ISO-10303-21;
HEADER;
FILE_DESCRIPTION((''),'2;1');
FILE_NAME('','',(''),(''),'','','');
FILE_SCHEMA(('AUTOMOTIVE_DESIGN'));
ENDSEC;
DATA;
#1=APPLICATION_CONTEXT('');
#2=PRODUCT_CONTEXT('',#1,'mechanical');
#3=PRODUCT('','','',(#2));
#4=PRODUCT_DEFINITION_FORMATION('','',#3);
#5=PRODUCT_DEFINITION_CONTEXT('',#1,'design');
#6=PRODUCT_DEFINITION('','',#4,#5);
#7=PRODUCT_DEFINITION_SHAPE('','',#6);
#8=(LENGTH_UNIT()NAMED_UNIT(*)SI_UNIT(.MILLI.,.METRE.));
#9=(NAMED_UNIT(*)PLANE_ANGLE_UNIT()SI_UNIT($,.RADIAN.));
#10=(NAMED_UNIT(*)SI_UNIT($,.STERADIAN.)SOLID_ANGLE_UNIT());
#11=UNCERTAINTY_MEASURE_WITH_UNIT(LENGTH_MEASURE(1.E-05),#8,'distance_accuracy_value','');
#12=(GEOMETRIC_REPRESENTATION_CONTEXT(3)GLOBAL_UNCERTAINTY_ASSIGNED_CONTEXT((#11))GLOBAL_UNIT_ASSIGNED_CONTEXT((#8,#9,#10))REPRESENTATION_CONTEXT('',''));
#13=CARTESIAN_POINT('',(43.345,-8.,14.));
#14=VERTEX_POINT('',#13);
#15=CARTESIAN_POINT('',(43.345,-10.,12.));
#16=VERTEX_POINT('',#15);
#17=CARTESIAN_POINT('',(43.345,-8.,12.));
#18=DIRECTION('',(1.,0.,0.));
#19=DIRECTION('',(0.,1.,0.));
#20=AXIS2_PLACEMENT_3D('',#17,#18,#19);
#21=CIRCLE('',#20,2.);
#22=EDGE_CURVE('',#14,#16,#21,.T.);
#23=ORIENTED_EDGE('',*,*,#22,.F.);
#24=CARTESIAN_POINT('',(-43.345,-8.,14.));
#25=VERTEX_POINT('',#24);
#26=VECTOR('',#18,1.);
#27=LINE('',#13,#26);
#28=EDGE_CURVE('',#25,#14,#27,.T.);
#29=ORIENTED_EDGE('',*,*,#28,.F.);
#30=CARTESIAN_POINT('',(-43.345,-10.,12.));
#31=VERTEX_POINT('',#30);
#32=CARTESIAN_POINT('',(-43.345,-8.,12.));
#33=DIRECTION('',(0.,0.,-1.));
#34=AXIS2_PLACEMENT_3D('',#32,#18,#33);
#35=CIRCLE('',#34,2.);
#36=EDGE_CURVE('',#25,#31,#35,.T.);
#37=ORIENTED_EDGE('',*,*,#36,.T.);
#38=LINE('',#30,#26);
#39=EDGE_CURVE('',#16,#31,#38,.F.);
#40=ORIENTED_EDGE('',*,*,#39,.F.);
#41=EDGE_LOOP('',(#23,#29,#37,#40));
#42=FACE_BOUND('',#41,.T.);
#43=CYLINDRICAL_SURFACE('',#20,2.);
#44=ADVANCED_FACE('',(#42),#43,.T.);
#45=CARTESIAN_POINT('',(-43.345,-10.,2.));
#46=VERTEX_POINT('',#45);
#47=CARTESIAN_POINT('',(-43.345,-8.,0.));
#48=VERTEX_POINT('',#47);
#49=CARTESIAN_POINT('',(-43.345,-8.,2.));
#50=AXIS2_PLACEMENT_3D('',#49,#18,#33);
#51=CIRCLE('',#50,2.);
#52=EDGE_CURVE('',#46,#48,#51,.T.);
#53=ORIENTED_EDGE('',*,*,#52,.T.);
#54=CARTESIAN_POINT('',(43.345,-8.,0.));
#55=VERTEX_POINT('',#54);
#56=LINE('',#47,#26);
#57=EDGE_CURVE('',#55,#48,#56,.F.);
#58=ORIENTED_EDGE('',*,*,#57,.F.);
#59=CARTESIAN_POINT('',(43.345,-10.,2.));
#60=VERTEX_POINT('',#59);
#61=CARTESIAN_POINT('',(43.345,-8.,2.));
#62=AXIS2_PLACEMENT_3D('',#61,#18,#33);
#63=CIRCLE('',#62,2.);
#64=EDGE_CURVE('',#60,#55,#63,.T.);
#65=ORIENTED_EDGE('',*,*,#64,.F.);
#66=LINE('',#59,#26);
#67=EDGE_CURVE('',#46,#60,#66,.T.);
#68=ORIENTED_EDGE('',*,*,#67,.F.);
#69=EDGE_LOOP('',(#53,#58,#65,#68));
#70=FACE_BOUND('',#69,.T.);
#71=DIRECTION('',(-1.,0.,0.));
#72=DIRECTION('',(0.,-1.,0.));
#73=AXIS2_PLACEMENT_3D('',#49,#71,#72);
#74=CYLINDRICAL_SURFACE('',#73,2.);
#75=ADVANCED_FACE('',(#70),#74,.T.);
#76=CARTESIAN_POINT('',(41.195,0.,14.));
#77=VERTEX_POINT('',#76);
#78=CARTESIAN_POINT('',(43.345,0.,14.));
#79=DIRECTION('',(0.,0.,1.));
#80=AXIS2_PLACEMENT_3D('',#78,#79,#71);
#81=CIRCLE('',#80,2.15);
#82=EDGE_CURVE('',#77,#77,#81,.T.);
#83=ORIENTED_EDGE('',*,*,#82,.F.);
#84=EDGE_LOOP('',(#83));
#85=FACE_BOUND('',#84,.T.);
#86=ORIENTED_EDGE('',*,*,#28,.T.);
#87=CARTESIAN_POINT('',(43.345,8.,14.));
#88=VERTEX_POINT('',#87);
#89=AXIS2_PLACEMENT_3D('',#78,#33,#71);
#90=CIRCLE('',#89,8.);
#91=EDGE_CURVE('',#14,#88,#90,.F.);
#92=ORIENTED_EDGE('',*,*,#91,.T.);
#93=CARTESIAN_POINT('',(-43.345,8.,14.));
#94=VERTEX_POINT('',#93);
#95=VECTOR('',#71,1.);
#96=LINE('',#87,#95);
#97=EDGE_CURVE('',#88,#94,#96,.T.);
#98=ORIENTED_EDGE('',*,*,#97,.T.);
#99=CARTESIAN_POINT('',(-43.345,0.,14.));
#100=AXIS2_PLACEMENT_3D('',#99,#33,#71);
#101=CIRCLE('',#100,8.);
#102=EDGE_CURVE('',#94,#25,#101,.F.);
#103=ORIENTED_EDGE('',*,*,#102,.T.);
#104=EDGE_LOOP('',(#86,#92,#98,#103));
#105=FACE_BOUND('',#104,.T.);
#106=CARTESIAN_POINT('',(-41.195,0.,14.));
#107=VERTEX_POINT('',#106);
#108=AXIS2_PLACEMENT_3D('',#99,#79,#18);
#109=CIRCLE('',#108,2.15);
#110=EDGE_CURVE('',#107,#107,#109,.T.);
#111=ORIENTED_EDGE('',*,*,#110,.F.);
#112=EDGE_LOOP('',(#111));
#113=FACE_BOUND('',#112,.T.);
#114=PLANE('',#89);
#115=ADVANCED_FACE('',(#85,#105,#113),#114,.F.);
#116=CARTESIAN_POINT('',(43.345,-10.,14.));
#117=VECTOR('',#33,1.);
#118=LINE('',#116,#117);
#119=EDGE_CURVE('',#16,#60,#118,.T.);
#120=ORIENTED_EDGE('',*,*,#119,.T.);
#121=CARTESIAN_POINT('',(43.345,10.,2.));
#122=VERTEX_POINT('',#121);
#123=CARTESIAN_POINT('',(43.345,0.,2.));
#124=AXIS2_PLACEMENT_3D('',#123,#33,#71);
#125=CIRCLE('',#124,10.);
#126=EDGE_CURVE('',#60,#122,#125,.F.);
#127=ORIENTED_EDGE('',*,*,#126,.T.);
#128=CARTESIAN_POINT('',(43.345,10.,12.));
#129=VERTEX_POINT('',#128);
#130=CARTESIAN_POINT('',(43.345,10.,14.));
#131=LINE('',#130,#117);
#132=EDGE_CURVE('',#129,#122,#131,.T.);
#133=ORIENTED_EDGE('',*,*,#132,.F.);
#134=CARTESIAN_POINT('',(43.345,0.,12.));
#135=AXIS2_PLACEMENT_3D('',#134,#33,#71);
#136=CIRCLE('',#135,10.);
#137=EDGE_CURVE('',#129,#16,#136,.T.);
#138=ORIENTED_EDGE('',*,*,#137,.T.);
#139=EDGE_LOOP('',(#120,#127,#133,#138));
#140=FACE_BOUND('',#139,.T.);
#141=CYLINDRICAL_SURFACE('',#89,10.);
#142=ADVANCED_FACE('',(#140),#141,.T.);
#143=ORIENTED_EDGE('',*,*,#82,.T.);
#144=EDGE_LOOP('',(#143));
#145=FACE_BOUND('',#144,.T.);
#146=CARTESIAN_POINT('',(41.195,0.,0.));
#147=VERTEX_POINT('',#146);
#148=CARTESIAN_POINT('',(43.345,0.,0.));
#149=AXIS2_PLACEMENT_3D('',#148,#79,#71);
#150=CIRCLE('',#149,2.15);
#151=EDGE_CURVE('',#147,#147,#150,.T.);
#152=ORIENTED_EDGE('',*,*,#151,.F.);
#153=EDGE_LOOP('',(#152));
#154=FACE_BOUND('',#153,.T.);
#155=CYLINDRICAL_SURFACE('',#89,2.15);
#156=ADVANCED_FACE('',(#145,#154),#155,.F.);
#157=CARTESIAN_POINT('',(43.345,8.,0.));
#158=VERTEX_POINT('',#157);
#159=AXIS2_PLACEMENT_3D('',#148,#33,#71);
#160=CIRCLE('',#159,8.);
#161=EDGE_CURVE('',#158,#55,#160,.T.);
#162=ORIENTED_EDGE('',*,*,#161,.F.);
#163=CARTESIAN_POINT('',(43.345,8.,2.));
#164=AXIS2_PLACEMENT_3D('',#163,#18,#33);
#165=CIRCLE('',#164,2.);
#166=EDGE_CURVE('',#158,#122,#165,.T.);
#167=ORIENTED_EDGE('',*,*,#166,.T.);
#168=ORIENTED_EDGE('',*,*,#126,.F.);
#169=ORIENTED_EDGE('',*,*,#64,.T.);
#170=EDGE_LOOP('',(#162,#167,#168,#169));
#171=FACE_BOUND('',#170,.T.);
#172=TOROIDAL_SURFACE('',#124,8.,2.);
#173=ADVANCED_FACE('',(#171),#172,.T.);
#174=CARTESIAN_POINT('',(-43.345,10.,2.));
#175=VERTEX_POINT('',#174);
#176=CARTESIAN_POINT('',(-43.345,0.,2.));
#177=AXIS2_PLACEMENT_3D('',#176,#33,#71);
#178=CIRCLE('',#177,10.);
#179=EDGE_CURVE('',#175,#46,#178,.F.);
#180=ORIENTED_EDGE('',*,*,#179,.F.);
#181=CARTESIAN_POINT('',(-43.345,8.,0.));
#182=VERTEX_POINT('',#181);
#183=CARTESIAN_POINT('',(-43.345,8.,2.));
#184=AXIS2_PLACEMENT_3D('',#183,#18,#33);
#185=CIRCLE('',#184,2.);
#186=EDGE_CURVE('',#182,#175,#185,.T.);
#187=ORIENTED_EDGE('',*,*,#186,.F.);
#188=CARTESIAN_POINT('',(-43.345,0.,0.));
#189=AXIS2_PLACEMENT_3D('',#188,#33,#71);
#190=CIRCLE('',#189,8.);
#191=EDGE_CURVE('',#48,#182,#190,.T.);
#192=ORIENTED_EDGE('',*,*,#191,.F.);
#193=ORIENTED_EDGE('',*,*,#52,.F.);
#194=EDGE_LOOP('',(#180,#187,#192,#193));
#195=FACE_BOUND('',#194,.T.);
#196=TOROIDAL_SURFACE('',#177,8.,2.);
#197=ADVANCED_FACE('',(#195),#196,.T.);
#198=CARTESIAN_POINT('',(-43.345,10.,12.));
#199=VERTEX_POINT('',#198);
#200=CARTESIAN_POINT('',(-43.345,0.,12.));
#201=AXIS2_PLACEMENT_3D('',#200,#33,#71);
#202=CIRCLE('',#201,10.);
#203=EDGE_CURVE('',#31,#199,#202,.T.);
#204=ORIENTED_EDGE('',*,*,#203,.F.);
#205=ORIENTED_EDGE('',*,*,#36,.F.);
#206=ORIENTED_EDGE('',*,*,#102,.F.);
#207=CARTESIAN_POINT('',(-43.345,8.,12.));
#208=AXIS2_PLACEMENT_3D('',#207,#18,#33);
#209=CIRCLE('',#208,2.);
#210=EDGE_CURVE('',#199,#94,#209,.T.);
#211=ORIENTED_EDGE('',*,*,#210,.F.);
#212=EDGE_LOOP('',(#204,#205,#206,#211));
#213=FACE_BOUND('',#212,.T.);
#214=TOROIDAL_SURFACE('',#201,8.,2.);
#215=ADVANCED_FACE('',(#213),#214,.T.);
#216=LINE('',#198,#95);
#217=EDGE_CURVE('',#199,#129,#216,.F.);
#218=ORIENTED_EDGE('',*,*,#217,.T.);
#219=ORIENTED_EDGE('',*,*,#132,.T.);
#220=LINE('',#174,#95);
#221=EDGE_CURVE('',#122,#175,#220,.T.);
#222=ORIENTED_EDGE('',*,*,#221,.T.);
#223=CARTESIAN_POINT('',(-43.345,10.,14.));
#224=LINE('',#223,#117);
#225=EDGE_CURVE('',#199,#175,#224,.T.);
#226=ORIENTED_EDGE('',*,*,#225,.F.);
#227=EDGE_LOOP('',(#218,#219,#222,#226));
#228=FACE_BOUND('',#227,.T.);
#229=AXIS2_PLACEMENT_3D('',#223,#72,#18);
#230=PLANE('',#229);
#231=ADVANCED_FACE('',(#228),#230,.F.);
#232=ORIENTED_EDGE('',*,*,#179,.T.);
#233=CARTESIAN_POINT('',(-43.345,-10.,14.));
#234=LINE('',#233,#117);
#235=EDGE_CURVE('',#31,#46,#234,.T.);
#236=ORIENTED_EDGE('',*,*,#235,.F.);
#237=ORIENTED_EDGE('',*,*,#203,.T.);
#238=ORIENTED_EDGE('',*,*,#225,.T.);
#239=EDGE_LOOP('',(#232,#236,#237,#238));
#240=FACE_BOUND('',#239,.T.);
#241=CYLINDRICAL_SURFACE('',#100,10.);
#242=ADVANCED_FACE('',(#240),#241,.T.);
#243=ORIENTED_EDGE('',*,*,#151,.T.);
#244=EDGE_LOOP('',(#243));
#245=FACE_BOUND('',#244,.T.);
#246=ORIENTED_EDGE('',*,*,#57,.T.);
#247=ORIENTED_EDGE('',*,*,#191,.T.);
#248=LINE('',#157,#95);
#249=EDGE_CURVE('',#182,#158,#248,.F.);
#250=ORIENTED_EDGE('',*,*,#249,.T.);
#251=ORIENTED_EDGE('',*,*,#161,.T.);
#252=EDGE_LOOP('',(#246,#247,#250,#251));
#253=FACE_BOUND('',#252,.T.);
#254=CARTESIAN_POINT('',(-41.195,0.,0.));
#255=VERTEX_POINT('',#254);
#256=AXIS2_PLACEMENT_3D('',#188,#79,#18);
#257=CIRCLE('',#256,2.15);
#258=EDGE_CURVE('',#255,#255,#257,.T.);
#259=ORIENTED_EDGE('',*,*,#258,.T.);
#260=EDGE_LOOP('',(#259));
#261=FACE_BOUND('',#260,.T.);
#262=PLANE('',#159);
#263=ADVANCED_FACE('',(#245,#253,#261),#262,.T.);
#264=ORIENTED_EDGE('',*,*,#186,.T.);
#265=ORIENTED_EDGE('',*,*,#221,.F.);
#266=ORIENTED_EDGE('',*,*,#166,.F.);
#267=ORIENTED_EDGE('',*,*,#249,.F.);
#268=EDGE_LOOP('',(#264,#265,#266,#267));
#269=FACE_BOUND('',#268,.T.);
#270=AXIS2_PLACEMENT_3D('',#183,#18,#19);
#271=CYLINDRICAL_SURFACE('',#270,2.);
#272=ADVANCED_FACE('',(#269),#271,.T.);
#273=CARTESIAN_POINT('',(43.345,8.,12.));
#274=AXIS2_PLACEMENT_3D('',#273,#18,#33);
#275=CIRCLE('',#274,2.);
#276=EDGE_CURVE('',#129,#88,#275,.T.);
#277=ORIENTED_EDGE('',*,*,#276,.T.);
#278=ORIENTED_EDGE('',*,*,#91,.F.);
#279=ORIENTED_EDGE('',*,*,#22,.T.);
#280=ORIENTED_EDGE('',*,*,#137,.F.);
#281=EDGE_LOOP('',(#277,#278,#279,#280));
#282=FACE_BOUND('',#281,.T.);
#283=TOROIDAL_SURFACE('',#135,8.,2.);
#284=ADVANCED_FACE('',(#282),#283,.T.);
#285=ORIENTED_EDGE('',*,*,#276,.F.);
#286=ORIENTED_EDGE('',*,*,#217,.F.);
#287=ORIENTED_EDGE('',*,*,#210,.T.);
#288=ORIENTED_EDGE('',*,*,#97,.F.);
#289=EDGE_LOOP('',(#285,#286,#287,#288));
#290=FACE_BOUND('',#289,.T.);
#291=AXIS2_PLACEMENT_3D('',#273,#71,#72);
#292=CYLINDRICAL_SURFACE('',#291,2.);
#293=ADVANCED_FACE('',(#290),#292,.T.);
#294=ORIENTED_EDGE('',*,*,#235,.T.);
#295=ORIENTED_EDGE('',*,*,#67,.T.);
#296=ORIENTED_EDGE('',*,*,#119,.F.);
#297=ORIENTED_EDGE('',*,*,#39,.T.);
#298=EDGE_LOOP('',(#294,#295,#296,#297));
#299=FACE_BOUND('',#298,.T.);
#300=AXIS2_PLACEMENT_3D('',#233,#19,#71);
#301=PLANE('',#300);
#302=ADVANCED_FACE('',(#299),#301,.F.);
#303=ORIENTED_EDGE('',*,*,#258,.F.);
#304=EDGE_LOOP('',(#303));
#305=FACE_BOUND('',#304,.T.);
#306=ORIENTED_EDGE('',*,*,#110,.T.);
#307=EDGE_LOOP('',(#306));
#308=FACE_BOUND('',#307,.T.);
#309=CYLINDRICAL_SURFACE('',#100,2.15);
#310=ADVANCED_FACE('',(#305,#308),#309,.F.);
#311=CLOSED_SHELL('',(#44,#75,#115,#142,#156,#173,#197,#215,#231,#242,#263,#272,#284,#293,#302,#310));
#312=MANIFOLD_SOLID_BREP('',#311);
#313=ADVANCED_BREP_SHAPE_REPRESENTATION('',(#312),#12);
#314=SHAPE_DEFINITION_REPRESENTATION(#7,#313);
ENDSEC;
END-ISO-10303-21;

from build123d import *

# Parameters (mm, degrees)
SKETCH1_R           = 2.15
BOSS_EXTRUDE1_DEPTH = 14
FILLET1_R           = 2


with BuildPart() as part:
    # Sketch1 → Boss-Extrude1 (new body)
    with BuildSketch(Plane.XY):
        with BuildLine():
            Line((-43.345, -10), (43.345, -10))
            ThreePointArc((43.345, -10), (53.345, 0), (43.345, 10))
            Line((43.345, 10), (-43.345, 10))
            ThreePointArc((-43.345, 10), (-53.345, 0), (-43.345, -10))
        make_face()
        with Locations((-43.345, 0)):
            Circle(SKETCH1_R, mode=Mode.SUBTRACT)
        with Locations((43.345, 0)):
            Circle(SKETCH1_R, mode=Mode.SUBTRACT)
    extrude(amount=BOSS_EXTRUDE1_DEPTH)

    # Fillet1
    fillet1_edges = [part.edges().sort_by_distance(p)[0] for p in [
        (-53.345, 0, 14),
        (0, -10, 14),
        (53.345, 0, 14),
        (0, -10, 0),
        (-53.345, 0, 0),
        (0, 10, 0),
        (53.345, 0, 0),
        (0, 10, 14),
    ]]
    fillet(fillet1_edges, radius=FILLET1_R)


solid = part.part
